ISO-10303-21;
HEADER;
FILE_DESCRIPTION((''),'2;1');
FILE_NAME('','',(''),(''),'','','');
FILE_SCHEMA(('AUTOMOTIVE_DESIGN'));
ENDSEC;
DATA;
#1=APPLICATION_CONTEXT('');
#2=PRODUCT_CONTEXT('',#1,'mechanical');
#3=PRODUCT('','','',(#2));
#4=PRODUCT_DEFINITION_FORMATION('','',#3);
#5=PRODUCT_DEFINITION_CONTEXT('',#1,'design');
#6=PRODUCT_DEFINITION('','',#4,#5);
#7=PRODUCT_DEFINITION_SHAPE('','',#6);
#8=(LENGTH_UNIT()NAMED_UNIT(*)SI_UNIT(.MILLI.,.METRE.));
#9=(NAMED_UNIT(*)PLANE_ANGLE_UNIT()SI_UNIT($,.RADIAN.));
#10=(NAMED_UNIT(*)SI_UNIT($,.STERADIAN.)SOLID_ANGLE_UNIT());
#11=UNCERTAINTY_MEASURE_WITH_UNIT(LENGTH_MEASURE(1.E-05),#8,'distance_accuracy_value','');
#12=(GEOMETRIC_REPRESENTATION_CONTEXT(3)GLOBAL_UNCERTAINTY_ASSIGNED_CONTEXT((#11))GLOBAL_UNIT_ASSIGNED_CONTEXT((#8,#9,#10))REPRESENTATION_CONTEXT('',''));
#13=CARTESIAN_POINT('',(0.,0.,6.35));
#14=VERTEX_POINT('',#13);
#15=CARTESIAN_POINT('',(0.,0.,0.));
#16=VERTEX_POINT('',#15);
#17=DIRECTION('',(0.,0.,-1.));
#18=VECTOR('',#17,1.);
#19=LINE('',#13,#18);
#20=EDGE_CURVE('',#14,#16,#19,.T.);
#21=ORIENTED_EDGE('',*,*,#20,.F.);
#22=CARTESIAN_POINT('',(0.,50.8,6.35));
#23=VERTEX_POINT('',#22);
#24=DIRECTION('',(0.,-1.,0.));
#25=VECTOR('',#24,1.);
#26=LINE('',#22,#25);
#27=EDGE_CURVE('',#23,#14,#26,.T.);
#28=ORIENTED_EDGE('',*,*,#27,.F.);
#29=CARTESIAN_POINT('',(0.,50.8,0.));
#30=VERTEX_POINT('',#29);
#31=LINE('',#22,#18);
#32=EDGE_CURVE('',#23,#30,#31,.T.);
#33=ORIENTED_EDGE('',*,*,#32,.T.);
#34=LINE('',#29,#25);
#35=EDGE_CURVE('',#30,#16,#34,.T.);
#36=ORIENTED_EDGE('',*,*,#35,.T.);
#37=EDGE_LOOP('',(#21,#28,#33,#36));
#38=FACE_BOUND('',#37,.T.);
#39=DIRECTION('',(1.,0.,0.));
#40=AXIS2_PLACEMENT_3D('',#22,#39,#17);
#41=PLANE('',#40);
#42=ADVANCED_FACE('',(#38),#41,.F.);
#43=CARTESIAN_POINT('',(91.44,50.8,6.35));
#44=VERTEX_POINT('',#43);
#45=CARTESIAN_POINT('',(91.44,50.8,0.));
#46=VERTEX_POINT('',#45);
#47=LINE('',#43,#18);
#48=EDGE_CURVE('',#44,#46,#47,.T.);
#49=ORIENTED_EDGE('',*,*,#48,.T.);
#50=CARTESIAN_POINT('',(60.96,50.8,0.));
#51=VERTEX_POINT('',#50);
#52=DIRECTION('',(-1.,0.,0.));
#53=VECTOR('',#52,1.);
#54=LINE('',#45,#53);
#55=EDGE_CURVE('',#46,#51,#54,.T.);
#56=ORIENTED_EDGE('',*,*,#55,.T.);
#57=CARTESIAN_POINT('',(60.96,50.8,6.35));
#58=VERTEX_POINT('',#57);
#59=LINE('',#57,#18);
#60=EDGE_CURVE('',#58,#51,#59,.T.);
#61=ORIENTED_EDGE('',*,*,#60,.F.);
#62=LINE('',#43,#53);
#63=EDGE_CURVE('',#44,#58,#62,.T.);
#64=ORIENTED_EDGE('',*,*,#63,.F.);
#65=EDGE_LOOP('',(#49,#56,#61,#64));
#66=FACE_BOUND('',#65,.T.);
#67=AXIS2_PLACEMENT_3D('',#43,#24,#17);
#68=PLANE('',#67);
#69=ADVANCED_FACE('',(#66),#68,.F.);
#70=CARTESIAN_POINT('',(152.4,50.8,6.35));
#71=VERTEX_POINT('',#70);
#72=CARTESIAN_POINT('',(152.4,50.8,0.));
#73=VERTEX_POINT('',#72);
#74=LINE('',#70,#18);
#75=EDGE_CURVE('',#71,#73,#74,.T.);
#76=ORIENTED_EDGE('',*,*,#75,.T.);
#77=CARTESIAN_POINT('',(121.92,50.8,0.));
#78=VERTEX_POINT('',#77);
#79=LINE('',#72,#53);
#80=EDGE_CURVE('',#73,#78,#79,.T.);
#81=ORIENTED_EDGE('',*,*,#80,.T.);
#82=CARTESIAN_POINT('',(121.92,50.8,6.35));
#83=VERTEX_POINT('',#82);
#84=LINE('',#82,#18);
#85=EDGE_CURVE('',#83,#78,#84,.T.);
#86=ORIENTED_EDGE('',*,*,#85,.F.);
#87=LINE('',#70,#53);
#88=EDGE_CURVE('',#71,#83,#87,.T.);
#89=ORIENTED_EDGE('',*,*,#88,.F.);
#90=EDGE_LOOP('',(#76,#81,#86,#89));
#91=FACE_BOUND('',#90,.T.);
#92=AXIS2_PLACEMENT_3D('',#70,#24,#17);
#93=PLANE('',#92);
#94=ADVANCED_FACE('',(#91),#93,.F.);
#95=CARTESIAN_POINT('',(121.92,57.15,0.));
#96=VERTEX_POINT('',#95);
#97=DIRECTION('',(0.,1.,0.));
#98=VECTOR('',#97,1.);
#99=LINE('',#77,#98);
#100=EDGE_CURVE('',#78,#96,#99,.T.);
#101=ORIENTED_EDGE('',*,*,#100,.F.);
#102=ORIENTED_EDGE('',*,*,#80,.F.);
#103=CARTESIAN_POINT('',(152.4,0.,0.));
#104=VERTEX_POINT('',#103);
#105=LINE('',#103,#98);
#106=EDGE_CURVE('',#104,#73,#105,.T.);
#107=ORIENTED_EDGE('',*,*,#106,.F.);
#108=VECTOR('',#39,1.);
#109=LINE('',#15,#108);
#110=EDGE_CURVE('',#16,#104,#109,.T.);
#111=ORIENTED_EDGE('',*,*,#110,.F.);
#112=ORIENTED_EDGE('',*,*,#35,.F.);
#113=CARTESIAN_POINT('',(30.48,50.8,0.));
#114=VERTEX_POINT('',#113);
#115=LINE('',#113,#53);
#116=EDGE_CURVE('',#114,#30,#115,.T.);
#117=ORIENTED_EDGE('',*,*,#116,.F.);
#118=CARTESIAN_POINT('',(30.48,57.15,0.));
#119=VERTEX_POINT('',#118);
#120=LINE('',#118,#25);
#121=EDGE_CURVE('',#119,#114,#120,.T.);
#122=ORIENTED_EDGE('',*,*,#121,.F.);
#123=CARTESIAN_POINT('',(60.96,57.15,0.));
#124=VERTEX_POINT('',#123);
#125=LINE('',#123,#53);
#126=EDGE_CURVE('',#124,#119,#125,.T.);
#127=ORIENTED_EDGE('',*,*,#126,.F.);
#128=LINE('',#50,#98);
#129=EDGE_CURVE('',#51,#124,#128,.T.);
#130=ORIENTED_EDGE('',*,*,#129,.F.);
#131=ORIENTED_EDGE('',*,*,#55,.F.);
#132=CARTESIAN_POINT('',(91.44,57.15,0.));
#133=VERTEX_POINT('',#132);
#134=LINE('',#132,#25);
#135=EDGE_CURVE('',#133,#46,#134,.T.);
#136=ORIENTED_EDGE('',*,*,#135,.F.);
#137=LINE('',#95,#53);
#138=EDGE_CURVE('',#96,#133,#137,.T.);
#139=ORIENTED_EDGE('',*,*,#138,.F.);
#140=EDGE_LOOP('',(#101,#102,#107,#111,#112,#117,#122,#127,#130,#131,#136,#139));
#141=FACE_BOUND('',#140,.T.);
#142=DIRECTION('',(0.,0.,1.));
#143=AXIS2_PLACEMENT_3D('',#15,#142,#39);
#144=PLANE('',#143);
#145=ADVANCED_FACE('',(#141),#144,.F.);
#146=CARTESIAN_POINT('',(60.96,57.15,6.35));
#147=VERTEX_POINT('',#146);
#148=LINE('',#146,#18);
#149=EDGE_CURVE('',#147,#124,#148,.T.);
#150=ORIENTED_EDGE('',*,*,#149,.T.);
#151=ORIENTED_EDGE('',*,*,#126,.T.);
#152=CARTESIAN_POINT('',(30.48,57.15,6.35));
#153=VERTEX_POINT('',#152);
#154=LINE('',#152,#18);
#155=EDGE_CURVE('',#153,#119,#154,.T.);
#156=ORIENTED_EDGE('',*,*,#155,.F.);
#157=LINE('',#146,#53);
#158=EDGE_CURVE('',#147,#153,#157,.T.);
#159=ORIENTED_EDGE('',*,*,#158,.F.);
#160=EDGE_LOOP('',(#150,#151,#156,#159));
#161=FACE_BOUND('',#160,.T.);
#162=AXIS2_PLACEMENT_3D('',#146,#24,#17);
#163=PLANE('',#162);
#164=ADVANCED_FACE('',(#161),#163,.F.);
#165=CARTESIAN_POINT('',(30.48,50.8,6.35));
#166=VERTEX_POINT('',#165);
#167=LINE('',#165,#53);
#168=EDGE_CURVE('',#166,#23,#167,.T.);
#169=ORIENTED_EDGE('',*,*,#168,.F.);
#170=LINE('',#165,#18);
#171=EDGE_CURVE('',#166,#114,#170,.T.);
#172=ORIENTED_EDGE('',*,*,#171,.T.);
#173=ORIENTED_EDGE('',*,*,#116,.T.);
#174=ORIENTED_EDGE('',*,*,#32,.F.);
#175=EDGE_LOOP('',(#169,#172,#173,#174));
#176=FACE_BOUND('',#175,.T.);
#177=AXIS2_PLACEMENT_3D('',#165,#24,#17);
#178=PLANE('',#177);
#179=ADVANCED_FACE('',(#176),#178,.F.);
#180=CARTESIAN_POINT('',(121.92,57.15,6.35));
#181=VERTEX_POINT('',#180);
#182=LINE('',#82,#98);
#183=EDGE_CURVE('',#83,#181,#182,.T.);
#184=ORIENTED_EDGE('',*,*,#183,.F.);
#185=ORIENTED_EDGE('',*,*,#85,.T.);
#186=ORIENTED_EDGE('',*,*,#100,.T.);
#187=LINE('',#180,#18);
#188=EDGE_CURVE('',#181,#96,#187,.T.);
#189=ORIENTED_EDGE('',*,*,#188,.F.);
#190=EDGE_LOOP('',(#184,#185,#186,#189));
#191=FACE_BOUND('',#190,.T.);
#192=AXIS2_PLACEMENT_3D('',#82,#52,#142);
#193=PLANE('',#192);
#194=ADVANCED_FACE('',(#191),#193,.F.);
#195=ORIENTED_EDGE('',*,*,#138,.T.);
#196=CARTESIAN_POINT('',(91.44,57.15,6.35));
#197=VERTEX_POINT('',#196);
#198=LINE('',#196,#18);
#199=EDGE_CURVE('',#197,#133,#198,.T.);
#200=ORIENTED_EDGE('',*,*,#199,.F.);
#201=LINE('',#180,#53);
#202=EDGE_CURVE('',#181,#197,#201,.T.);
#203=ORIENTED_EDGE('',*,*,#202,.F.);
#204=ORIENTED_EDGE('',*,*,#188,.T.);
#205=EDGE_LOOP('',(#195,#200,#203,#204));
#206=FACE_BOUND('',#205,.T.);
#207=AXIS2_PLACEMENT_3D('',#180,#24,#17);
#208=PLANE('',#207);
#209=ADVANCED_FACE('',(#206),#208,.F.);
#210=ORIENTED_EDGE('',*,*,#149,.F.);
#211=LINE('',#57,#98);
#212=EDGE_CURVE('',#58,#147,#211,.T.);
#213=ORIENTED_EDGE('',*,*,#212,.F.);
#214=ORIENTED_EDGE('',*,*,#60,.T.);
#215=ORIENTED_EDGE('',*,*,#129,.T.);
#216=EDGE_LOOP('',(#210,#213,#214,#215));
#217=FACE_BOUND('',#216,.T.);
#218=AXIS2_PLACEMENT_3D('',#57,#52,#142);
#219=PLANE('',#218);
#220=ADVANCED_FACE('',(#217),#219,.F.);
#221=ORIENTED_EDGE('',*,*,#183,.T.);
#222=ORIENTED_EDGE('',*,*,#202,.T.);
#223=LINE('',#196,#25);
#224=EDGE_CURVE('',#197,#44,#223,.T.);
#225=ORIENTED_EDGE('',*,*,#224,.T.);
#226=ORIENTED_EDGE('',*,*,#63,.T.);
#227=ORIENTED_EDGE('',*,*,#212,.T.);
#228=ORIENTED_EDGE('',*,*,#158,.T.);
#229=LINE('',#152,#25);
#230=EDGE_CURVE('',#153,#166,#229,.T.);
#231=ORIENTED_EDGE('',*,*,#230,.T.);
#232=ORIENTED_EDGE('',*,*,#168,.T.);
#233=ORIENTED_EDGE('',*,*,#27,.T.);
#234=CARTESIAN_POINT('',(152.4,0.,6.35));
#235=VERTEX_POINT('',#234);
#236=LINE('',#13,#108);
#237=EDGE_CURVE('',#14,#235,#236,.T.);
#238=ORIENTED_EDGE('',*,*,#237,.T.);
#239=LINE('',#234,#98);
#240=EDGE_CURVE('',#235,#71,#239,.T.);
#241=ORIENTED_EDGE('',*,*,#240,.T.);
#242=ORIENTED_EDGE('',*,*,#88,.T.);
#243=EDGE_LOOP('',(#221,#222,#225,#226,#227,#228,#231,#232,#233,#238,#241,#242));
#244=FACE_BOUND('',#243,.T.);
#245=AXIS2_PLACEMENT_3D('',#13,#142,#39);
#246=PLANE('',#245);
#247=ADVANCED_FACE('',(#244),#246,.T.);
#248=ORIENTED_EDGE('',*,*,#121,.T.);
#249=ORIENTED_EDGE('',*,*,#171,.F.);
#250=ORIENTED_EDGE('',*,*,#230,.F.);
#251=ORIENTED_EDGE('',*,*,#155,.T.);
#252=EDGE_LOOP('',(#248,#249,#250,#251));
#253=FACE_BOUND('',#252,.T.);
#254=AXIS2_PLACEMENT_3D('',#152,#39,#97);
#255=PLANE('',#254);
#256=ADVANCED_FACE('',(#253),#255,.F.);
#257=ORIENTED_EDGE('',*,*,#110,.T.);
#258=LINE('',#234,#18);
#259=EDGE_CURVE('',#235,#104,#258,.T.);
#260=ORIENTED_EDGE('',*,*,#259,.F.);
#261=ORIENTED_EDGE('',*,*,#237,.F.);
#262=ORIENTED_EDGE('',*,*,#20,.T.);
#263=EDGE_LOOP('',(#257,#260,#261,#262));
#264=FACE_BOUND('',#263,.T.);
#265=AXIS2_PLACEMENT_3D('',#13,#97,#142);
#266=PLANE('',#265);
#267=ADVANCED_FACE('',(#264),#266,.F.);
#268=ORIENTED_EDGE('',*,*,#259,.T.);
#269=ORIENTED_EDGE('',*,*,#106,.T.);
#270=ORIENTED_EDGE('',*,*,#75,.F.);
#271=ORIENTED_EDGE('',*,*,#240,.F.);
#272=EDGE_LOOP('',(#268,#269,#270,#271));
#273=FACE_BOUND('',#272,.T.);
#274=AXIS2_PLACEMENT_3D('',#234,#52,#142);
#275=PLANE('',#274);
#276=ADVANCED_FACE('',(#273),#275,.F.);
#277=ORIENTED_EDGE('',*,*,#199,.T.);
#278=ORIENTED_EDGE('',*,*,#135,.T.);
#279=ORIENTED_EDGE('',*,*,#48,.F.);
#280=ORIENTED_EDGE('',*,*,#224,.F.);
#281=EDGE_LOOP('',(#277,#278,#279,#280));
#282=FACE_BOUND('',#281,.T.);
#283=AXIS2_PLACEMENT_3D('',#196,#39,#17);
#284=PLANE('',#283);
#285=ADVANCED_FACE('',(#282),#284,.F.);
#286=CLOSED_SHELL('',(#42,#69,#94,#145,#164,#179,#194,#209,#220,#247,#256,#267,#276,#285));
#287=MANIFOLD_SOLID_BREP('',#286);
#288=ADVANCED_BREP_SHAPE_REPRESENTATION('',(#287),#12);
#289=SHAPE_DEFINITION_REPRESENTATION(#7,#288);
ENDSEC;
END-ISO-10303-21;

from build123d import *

# Parameters (mm, degrees)
BOSS_EXTRUDE1_DEPTH = 6.35


with BuildPart() as part:
    # Sketch2 → Boss-Extrude1 (new body)
    with BuildSketch(Plane.XY):
        Polygon((0, 50.8), (0, 0), (152.4, 0), (152.4, 50.8), (121.92, 50.8), (121.92, 57.15), (91.44, 57.15), (91.44, 50.8), (60.96, 50.8), (60.96, 57.15), (30.48, 57.15), (30.48, 50.8), align=None)
    extrude(amount=BOSS_EXTRUDE1_DEPTH)


solid = part.part
